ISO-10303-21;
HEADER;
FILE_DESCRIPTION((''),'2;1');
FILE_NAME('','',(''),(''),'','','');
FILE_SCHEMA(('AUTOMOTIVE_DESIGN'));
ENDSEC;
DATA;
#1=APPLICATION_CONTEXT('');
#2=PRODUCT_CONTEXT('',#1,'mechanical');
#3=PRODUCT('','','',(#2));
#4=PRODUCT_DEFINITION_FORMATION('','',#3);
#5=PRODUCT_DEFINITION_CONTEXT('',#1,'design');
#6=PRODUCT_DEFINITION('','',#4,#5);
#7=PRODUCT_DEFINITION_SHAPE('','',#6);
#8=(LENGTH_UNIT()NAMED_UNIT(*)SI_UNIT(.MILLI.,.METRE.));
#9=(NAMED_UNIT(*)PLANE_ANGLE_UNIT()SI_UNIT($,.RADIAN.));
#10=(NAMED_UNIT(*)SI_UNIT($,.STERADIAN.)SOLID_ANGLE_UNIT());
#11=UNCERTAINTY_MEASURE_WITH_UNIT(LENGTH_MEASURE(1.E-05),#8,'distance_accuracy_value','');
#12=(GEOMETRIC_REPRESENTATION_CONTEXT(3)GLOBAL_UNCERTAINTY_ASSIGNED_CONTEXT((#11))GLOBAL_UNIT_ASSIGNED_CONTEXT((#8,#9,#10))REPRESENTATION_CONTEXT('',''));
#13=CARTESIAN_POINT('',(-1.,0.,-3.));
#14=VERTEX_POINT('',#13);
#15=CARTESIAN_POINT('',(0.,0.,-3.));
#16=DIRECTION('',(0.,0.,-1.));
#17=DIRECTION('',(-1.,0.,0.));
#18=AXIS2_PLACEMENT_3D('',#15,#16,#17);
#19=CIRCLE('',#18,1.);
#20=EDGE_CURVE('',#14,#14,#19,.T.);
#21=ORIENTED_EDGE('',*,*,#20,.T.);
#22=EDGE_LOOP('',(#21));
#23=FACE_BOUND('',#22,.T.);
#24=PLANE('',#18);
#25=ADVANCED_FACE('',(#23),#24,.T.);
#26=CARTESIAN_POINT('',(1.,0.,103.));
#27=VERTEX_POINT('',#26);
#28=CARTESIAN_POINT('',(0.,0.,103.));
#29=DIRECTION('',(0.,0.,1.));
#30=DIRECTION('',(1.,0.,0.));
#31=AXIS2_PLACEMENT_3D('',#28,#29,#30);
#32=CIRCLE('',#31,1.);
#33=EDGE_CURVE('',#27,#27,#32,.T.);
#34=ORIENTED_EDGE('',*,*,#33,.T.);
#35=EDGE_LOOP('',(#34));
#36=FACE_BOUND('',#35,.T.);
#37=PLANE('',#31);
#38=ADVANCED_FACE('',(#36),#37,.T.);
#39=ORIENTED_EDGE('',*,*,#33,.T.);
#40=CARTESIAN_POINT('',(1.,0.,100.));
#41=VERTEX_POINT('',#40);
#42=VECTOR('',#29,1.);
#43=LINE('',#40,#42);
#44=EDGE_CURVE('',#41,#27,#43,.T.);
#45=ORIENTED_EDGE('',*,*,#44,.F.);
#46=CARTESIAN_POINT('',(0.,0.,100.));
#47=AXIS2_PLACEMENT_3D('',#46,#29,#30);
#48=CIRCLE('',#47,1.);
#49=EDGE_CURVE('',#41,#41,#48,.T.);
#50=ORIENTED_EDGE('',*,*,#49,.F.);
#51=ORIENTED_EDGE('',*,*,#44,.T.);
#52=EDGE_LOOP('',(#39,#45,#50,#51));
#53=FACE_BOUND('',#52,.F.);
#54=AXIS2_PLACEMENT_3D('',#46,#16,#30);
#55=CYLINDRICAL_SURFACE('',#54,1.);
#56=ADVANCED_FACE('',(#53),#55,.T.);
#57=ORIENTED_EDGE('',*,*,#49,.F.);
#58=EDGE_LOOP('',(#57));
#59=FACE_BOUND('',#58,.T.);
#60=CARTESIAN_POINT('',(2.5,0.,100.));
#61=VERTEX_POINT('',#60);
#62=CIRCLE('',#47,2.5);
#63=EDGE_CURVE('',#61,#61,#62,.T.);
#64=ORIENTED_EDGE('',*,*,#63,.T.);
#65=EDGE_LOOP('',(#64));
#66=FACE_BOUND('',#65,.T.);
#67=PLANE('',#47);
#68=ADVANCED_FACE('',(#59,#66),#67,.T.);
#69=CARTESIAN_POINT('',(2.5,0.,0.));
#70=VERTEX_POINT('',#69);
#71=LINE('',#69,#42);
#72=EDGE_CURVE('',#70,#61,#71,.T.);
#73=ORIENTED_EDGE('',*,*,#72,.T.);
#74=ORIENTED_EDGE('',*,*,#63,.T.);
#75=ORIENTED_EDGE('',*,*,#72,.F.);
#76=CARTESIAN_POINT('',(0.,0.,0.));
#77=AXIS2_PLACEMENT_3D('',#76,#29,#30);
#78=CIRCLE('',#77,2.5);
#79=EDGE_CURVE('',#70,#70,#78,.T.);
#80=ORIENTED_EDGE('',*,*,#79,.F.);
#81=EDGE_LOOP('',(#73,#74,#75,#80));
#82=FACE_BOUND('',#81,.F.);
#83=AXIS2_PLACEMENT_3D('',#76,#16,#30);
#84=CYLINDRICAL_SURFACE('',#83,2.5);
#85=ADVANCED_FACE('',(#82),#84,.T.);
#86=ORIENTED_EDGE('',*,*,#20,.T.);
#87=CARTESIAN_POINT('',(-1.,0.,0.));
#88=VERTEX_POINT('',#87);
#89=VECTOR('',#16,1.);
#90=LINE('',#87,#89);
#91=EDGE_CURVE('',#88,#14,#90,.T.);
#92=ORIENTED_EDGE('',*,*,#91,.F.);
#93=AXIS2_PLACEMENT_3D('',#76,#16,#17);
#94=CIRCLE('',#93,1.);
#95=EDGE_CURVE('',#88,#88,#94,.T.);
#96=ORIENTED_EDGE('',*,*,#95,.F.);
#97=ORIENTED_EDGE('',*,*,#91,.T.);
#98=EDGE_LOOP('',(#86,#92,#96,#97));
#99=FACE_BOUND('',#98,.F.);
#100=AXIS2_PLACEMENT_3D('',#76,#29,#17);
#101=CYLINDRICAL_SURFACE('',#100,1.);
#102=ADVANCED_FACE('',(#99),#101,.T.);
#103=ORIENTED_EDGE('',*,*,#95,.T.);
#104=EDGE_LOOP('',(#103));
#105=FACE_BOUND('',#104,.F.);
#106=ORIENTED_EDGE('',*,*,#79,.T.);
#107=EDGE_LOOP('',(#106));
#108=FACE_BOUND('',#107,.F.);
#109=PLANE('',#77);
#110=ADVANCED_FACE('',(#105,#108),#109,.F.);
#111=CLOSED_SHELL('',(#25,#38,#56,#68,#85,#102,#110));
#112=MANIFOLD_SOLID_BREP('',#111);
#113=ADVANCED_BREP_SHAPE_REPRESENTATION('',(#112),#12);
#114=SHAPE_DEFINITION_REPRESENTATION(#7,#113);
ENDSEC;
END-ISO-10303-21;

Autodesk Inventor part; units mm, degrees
ref_plane "YZ Plane" through (0, 0, 0) normal (1, 0, 0) x (0, 1, 0)
ref_plane "XZ Plane" through (0, 0, 0) normal (0, 1, 0) x (-1, 0, 0)
ref_plane "XY Plane" through (0, 0, 0) normal (0, 0, 1) x (1, 0, 0)
sketch "Sketch1" plane through (0, 0, 0) normal (0, 0, 1) x (1, 0, 0)
  circle A0 centre (0, 0) radius 2.5
  dimension "d0" = 5
extrude "Extrusion1" add sketch "Sketch1" along normal blind 100
sketch "Sketch2" plane through (0, 0, 100) normal (0, 0, 1) x (1, 0, 0)
  circle A0 centre (0, 0) radius 2.5 projected
  circle A1 centre (0, 0) radius 1
  dimension "d3" = 2
extrude "Extrusion2" add sketch "Sketch2" along normal blind 3 contours A1
sketch "Sketch3" plane through (0, 0, 0) normal (0, 0, -1) x (-1, 0, 0)
  circle A0 centre (0, 0) radius 1
  dimension "d6" = 2
extrude "Extrusion3" add sketch "Sketch3" along normal blind 3
properties part number "Bone-10cm"
